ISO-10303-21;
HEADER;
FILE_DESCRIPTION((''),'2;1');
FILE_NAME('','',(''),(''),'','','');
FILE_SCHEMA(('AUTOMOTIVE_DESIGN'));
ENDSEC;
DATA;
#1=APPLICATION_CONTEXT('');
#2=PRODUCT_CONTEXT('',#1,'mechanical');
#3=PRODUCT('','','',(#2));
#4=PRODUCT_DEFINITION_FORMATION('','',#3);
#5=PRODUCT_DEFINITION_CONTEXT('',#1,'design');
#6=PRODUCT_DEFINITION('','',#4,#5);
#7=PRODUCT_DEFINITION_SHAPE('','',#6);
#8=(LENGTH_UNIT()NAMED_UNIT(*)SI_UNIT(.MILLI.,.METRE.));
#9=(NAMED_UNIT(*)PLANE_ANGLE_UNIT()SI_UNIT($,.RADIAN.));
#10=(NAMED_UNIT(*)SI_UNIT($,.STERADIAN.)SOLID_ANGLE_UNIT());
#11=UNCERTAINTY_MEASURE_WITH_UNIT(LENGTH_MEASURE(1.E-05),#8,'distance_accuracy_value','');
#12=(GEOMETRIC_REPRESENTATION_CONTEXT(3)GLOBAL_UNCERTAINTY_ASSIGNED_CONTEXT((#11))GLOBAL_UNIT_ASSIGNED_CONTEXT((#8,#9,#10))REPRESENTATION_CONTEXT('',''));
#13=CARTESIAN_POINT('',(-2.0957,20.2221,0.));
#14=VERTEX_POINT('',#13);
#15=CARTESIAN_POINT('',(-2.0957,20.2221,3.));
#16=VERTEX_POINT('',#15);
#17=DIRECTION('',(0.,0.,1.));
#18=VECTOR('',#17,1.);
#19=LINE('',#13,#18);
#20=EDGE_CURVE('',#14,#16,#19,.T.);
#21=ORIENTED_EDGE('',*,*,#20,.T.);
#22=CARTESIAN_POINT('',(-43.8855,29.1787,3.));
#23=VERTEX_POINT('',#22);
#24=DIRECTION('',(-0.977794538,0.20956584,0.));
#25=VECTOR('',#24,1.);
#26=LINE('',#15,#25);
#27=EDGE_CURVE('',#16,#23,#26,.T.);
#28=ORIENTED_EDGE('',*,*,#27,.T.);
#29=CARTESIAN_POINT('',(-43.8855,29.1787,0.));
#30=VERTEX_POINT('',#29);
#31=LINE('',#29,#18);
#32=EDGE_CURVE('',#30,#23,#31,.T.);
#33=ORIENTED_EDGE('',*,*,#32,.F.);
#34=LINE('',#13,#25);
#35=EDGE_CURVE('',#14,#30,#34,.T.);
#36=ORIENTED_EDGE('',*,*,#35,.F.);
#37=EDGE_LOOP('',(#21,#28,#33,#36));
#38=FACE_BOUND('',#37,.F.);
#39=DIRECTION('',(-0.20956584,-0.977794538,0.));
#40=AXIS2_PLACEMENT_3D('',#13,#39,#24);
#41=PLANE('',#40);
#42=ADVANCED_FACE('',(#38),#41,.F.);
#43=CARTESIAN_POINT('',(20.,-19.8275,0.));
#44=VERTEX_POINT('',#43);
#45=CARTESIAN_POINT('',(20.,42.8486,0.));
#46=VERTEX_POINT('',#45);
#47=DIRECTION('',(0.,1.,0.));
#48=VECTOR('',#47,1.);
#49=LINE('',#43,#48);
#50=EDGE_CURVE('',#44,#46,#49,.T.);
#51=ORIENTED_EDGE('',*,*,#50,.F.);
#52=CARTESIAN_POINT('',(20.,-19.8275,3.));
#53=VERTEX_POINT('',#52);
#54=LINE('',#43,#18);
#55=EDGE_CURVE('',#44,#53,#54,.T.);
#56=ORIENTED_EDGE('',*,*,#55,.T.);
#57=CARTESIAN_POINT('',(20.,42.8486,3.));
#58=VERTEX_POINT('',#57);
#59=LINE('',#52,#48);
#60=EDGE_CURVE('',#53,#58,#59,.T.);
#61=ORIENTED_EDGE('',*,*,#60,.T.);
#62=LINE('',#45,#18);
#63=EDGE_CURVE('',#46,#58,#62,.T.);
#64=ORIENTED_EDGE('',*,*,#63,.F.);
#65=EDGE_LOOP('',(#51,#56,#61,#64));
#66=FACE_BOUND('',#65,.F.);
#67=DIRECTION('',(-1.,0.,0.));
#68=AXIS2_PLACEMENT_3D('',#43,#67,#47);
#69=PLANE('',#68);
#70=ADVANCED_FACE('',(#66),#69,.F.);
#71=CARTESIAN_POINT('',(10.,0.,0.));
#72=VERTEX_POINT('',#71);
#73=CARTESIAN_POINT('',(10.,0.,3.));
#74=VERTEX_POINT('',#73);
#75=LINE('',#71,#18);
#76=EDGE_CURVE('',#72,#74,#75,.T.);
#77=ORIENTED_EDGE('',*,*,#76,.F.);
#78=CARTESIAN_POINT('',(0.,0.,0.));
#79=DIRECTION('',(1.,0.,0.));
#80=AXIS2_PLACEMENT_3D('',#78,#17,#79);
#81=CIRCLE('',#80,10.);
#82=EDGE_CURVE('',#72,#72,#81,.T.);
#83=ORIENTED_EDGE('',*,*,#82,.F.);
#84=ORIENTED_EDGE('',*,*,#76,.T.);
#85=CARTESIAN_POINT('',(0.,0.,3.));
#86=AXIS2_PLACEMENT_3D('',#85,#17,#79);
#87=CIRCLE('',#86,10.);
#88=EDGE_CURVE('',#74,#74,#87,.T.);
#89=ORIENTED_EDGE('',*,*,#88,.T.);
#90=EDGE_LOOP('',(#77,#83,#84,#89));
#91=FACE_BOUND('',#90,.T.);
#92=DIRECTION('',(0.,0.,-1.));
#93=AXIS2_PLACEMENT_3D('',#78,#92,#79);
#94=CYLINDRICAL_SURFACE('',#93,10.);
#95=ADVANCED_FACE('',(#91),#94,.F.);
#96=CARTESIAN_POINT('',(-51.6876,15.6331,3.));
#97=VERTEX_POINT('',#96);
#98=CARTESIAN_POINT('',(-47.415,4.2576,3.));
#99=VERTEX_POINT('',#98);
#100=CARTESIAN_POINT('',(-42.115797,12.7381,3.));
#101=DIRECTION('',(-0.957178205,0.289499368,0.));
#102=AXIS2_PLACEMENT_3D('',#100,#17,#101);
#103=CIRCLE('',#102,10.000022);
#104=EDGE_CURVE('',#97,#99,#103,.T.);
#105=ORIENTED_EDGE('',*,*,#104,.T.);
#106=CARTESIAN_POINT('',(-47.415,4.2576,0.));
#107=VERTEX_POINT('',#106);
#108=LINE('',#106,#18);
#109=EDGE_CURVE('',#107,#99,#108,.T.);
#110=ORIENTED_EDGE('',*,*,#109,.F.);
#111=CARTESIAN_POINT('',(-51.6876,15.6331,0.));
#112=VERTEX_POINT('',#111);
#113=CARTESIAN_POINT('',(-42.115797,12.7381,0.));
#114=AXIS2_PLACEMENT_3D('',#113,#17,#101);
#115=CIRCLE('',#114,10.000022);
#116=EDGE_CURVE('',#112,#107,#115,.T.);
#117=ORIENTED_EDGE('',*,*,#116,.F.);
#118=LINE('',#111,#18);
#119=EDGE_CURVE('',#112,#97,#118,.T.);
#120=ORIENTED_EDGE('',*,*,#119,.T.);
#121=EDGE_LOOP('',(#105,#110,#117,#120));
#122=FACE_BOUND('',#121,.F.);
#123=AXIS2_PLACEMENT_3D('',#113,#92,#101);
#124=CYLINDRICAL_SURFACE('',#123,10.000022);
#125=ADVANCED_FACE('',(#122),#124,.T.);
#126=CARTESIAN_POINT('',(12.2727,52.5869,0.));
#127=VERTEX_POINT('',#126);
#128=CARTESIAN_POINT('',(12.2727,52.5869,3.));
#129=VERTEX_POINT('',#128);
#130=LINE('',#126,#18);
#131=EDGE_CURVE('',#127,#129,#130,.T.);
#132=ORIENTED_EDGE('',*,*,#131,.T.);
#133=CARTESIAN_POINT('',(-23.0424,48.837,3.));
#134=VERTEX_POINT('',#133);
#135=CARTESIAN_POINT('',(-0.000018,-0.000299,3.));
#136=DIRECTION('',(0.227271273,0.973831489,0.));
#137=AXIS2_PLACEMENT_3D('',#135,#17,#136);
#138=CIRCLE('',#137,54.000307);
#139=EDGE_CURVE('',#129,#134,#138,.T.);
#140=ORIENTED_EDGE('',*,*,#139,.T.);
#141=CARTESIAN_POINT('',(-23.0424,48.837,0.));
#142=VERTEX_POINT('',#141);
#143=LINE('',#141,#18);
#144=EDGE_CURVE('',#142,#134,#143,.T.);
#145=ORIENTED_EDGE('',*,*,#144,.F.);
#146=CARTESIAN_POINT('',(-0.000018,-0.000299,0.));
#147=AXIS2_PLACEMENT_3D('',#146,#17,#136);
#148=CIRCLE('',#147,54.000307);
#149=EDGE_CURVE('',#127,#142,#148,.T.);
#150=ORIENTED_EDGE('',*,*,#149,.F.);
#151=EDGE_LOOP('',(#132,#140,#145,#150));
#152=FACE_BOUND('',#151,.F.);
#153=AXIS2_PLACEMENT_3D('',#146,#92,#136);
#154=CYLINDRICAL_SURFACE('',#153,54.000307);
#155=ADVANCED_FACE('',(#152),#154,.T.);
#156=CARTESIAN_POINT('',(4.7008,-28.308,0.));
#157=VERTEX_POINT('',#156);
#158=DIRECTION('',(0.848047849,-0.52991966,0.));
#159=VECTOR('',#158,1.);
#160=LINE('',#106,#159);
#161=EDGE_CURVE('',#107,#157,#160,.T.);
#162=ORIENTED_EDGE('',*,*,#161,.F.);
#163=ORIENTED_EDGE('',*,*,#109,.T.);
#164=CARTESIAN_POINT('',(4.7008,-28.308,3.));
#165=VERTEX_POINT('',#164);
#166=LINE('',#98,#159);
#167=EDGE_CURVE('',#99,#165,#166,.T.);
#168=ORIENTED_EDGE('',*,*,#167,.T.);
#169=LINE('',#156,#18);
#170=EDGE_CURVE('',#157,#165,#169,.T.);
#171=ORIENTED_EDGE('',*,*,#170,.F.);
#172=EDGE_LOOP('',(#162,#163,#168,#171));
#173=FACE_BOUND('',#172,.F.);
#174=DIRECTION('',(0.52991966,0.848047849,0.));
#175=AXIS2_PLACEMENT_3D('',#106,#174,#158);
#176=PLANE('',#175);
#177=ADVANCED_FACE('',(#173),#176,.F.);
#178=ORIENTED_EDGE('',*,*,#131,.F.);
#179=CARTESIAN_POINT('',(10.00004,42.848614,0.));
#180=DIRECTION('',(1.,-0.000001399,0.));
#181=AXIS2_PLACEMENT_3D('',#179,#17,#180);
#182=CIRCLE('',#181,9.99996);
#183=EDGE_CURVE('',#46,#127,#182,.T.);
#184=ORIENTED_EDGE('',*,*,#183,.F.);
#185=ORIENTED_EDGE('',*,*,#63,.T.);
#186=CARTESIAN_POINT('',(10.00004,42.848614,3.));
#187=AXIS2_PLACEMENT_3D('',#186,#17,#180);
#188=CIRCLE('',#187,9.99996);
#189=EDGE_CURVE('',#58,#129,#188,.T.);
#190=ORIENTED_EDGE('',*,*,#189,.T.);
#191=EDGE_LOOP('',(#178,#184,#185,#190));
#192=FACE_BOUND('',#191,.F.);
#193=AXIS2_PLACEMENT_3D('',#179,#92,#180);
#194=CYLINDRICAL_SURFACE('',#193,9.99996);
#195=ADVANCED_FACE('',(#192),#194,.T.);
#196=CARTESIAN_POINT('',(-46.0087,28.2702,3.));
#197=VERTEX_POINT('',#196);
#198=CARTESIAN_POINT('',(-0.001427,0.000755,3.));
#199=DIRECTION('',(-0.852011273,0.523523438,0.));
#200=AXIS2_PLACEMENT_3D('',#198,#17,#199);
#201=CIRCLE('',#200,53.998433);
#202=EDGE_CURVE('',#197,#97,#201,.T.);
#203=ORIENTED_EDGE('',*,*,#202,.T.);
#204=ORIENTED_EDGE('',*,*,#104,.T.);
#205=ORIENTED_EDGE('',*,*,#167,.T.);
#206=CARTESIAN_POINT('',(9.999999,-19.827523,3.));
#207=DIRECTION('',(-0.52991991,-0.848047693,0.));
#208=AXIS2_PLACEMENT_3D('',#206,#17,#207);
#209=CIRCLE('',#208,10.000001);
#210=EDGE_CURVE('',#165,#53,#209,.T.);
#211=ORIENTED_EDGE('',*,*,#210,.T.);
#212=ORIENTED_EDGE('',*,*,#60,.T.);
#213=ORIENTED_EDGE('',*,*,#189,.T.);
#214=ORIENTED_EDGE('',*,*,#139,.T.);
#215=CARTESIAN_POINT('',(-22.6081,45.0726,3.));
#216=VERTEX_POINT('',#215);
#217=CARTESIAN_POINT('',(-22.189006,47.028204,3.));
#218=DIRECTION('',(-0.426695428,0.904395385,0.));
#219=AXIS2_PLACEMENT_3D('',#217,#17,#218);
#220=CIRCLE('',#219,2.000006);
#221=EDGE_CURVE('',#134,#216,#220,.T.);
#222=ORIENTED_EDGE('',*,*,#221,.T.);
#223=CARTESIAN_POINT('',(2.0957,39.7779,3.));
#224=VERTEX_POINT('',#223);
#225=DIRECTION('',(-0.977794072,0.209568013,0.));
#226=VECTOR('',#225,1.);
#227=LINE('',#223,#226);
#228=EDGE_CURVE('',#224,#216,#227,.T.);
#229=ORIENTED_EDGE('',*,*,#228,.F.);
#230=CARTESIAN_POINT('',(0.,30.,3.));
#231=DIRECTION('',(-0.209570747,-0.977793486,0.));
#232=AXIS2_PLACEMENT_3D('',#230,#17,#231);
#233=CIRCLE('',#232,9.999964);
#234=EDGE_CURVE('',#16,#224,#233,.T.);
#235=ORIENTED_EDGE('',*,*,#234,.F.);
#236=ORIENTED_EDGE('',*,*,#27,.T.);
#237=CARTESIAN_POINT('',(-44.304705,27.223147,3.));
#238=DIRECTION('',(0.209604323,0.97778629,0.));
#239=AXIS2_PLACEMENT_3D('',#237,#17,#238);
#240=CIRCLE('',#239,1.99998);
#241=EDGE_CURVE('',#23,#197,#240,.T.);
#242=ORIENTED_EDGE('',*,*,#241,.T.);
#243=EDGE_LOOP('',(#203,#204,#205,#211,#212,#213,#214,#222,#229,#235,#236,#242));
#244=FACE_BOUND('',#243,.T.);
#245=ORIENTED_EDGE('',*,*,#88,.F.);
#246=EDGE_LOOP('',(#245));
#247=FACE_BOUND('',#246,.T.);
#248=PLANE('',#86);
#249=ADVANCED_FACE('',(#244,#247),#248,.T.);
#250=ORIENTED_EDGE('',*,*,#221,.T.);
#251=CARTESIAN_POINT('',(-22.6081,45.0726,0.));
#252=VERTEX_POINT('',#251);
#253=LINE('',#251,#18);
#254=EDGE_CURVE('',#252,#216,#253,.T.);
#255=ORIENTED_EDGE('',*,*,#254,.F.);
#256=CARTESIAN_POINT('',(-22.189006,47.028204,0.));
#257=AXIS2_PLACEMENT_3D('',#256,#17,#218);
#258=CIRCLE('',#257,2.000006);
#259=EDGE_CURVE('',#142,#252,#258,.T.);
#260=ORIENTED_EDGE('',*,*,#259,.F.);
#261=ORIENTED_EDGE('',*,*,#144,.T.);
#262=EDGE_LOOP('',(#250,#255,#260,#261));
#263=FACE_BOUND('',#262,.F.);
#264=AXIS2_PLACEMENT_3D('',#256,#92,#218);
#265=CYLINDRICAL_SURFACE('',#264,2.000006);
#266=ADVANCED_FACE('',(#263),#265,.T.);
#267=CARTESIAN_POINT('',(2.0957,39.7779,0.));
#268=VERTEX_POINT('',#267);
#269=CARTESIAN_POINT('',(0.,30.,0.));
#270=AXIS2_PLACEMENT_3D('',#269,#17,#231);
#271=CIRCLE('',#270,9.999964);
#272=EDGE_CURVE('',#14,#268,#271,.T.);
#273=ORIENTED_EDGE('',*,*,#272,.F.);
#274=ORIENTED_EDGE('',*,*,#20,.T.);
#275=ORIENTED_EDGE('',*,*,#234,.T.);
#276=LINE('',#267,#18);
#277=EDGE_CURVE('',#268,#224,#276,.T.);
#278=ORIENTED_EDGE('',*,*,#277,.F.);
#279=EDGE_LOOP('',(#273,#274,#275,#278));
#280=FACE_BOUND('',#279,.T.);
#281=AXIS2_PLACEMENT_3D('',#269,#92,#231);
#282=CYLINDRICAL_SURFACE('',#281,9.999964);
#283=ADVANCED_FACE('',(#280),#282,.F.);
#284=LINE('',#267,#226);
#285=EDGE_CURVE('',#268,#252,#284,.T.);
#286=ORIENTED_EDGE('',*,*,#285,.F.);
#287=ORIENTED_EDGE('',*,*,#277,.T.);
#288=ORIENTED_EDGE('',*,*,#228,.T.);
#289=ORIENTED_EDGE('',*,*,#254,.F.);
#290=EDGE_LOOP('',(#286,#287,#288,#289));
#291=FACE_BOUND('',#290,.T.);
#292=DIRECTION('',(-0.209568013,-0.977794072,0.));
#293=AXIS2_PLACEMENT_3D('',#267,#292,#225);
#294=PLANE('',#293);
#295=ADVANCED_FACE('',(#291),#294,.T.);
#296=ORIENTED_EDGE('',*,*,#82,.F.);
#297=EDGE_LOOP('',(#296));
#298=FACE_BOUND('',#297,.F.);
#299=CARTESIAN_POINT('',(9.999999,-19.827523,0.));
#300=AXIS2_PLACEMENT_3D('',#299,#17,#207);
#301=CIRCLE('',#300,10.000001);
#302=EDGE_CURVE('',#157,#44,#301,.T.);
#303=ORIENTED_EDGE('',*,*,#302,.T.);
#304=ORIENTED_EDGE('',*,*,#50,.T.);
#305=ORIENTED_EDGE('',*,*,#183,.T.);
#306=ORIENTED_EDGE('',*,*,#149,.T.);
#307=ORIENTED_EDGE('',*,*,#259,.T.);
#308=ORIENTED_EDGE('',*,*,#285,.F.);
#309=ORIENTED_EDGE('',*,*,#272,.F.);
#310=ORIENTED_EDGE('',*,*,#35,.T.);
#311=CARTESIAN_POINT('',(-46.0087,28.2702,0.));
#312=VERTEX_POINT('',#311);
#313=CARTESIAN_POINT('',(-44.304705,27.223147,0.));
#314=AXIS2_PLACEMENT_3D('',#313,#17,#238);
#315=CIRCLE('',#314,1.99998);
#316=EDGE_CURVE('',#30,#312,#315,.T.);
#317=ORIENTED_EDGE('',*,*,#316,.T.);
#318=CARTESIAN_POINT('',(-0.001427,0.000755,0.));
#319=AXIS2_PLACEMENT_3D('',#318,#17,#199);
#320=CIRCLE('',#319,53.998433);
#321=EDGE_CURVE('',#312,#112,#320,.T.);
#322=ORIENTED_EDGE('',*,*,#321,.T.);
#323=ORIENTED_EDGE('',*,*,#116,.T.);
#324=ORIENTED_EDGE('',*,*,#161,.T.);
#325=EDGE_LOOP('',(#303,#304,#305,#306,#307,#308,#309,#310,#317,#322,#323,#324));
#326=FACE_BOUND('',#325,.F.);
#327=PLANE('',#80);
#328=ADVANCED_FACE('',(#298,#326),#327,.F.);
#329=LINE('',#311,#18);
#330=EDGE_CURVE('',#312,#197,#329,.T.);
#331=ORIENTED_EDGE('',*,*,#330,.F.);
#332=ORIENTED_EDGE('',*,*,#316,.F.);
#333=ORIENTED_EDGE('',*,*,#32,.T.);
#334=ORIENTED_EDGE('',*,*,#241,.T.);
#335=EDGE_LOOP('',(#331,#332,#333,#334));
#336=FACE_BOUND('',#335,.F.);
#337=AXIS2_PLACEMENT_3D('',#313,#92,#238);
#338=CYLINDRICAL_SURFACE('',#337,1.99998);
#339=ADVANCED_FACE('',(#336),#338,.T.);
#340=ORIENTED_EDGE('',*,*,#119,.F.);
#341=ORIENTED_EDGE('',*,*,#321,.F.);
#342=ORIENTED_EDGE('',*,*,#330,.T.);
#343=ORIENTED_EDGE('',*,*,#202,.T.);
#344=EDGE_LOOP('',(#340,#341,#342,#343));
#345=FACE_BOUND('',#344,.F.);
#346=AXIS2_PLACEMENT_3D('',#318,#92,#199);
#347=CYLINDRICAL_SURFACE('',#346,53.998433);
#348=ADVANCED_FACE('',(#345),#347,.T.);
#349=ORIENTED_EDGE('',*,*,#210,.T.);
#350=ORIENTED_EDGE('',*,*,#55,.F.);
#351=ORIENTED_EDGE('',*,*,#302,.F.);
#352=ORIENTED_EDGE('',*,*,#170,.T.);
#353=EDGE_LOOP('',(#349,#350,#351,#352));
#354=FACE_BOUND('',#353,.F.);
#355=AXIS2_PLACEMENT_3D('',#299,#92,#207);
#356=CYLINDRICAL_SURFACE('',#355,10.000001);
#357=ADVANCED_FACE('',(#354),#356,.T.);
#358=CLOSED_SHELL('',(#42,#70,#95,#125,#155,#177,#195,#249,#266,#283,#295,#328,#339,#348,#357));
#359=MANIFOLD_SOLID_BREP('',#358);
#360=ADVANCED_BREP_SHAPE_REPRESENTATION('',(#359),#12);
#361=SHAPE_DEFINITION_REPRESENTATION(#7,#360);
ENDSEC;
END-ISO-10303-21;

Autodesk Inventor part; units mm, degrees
ref_plane "YZ Plane" through (0, 0, 0) normal (1, 0, 0) x (0, 1, 0)
ref_plane "XZ Plane" through (0, 0, 0) normal (0, 1, 0) x (-1, 0, 0)
ref_plane "XY Plane" through (0, 0, 0) normal (0, 0, 1) x (1, 0, 0)
sketch "Sketch1" plane through (0, 0, 0) normal (0, 0, 1) x (1, 0, 0)
  arc A0 (-2.0957, 20.2221) -> (2.0957, 39.7779) centre (0, 30) ccw
  line L0 (2.0957, 39.7779) -> (-22.6081, 45.0726)
  line L1 (-2.0957, 20.2221) -> (-43.8855, 29.1787)
  arc A1 (12.2727, 52.5869) -> (-23.0424, 48.837) centre (0, 0) ccw
  line L2 (-47.415, 4.2576) -> (4.7008, -28.308)
  arc A2 (-46.0087, 28.2702) -> (-51.6876, 15.6331) centre (0, 0) ccw
  line L3 (20, -19.8275) -> (20, 42.8486)
  arc A3 (-23.0424, 48.837) -> (-22.6081, 45.0726) centre (-22.189, 47.0282) ccw
  arc A4 (-43.8855, 29.1787) -> (-46.0087, 28.2702) centre (-44.3047, 27.2231) ccw
  arc A5 (20, 42.8486) -> (12.2727, 52.5869) centre (10, 42.8486) ccw
  arc A6 (4.7008, -28.308) -> (20, -19.8275) centre (10, -19.8275) ccw
  arc A7 (-51.6876, 15.6331) -> (-47.415, 4.2576) centre (-42.1158, 12.7381) ccw
  circle A8 centre (0, 0) radius 10
  point P0 (-27.9334, 46.2139)
  point P1 (-45.1248, 29.4443)
  point P2 (-45.2489, 29.4709)
  point P3 (-27.9334, 46.2139)
  point P4 (20, 50.1597)
  point P5 (-53.4041, 8)
  dimension "d4" = 20
  dimension "d15" = 54
  dimension "d16" = 20
  dimension "d21" = 8
  dimension "d25" = 54
  dimension "d28" = 58
  dimension "d30" = 20
  dimension "d31" = 20
  dimension "d33" = 21.5155
  dimension "d35" = 77.903
  dimension "d36" = 2
  dimension "d37" = 10
  dimension "d38" = 30
  dimension "d41" = 20
extrude "Extrusion5" add sketch "Sketch1" along normal blind 3
properties part number "OpenROV 2_3 Dev EndCap Wire Guide"
